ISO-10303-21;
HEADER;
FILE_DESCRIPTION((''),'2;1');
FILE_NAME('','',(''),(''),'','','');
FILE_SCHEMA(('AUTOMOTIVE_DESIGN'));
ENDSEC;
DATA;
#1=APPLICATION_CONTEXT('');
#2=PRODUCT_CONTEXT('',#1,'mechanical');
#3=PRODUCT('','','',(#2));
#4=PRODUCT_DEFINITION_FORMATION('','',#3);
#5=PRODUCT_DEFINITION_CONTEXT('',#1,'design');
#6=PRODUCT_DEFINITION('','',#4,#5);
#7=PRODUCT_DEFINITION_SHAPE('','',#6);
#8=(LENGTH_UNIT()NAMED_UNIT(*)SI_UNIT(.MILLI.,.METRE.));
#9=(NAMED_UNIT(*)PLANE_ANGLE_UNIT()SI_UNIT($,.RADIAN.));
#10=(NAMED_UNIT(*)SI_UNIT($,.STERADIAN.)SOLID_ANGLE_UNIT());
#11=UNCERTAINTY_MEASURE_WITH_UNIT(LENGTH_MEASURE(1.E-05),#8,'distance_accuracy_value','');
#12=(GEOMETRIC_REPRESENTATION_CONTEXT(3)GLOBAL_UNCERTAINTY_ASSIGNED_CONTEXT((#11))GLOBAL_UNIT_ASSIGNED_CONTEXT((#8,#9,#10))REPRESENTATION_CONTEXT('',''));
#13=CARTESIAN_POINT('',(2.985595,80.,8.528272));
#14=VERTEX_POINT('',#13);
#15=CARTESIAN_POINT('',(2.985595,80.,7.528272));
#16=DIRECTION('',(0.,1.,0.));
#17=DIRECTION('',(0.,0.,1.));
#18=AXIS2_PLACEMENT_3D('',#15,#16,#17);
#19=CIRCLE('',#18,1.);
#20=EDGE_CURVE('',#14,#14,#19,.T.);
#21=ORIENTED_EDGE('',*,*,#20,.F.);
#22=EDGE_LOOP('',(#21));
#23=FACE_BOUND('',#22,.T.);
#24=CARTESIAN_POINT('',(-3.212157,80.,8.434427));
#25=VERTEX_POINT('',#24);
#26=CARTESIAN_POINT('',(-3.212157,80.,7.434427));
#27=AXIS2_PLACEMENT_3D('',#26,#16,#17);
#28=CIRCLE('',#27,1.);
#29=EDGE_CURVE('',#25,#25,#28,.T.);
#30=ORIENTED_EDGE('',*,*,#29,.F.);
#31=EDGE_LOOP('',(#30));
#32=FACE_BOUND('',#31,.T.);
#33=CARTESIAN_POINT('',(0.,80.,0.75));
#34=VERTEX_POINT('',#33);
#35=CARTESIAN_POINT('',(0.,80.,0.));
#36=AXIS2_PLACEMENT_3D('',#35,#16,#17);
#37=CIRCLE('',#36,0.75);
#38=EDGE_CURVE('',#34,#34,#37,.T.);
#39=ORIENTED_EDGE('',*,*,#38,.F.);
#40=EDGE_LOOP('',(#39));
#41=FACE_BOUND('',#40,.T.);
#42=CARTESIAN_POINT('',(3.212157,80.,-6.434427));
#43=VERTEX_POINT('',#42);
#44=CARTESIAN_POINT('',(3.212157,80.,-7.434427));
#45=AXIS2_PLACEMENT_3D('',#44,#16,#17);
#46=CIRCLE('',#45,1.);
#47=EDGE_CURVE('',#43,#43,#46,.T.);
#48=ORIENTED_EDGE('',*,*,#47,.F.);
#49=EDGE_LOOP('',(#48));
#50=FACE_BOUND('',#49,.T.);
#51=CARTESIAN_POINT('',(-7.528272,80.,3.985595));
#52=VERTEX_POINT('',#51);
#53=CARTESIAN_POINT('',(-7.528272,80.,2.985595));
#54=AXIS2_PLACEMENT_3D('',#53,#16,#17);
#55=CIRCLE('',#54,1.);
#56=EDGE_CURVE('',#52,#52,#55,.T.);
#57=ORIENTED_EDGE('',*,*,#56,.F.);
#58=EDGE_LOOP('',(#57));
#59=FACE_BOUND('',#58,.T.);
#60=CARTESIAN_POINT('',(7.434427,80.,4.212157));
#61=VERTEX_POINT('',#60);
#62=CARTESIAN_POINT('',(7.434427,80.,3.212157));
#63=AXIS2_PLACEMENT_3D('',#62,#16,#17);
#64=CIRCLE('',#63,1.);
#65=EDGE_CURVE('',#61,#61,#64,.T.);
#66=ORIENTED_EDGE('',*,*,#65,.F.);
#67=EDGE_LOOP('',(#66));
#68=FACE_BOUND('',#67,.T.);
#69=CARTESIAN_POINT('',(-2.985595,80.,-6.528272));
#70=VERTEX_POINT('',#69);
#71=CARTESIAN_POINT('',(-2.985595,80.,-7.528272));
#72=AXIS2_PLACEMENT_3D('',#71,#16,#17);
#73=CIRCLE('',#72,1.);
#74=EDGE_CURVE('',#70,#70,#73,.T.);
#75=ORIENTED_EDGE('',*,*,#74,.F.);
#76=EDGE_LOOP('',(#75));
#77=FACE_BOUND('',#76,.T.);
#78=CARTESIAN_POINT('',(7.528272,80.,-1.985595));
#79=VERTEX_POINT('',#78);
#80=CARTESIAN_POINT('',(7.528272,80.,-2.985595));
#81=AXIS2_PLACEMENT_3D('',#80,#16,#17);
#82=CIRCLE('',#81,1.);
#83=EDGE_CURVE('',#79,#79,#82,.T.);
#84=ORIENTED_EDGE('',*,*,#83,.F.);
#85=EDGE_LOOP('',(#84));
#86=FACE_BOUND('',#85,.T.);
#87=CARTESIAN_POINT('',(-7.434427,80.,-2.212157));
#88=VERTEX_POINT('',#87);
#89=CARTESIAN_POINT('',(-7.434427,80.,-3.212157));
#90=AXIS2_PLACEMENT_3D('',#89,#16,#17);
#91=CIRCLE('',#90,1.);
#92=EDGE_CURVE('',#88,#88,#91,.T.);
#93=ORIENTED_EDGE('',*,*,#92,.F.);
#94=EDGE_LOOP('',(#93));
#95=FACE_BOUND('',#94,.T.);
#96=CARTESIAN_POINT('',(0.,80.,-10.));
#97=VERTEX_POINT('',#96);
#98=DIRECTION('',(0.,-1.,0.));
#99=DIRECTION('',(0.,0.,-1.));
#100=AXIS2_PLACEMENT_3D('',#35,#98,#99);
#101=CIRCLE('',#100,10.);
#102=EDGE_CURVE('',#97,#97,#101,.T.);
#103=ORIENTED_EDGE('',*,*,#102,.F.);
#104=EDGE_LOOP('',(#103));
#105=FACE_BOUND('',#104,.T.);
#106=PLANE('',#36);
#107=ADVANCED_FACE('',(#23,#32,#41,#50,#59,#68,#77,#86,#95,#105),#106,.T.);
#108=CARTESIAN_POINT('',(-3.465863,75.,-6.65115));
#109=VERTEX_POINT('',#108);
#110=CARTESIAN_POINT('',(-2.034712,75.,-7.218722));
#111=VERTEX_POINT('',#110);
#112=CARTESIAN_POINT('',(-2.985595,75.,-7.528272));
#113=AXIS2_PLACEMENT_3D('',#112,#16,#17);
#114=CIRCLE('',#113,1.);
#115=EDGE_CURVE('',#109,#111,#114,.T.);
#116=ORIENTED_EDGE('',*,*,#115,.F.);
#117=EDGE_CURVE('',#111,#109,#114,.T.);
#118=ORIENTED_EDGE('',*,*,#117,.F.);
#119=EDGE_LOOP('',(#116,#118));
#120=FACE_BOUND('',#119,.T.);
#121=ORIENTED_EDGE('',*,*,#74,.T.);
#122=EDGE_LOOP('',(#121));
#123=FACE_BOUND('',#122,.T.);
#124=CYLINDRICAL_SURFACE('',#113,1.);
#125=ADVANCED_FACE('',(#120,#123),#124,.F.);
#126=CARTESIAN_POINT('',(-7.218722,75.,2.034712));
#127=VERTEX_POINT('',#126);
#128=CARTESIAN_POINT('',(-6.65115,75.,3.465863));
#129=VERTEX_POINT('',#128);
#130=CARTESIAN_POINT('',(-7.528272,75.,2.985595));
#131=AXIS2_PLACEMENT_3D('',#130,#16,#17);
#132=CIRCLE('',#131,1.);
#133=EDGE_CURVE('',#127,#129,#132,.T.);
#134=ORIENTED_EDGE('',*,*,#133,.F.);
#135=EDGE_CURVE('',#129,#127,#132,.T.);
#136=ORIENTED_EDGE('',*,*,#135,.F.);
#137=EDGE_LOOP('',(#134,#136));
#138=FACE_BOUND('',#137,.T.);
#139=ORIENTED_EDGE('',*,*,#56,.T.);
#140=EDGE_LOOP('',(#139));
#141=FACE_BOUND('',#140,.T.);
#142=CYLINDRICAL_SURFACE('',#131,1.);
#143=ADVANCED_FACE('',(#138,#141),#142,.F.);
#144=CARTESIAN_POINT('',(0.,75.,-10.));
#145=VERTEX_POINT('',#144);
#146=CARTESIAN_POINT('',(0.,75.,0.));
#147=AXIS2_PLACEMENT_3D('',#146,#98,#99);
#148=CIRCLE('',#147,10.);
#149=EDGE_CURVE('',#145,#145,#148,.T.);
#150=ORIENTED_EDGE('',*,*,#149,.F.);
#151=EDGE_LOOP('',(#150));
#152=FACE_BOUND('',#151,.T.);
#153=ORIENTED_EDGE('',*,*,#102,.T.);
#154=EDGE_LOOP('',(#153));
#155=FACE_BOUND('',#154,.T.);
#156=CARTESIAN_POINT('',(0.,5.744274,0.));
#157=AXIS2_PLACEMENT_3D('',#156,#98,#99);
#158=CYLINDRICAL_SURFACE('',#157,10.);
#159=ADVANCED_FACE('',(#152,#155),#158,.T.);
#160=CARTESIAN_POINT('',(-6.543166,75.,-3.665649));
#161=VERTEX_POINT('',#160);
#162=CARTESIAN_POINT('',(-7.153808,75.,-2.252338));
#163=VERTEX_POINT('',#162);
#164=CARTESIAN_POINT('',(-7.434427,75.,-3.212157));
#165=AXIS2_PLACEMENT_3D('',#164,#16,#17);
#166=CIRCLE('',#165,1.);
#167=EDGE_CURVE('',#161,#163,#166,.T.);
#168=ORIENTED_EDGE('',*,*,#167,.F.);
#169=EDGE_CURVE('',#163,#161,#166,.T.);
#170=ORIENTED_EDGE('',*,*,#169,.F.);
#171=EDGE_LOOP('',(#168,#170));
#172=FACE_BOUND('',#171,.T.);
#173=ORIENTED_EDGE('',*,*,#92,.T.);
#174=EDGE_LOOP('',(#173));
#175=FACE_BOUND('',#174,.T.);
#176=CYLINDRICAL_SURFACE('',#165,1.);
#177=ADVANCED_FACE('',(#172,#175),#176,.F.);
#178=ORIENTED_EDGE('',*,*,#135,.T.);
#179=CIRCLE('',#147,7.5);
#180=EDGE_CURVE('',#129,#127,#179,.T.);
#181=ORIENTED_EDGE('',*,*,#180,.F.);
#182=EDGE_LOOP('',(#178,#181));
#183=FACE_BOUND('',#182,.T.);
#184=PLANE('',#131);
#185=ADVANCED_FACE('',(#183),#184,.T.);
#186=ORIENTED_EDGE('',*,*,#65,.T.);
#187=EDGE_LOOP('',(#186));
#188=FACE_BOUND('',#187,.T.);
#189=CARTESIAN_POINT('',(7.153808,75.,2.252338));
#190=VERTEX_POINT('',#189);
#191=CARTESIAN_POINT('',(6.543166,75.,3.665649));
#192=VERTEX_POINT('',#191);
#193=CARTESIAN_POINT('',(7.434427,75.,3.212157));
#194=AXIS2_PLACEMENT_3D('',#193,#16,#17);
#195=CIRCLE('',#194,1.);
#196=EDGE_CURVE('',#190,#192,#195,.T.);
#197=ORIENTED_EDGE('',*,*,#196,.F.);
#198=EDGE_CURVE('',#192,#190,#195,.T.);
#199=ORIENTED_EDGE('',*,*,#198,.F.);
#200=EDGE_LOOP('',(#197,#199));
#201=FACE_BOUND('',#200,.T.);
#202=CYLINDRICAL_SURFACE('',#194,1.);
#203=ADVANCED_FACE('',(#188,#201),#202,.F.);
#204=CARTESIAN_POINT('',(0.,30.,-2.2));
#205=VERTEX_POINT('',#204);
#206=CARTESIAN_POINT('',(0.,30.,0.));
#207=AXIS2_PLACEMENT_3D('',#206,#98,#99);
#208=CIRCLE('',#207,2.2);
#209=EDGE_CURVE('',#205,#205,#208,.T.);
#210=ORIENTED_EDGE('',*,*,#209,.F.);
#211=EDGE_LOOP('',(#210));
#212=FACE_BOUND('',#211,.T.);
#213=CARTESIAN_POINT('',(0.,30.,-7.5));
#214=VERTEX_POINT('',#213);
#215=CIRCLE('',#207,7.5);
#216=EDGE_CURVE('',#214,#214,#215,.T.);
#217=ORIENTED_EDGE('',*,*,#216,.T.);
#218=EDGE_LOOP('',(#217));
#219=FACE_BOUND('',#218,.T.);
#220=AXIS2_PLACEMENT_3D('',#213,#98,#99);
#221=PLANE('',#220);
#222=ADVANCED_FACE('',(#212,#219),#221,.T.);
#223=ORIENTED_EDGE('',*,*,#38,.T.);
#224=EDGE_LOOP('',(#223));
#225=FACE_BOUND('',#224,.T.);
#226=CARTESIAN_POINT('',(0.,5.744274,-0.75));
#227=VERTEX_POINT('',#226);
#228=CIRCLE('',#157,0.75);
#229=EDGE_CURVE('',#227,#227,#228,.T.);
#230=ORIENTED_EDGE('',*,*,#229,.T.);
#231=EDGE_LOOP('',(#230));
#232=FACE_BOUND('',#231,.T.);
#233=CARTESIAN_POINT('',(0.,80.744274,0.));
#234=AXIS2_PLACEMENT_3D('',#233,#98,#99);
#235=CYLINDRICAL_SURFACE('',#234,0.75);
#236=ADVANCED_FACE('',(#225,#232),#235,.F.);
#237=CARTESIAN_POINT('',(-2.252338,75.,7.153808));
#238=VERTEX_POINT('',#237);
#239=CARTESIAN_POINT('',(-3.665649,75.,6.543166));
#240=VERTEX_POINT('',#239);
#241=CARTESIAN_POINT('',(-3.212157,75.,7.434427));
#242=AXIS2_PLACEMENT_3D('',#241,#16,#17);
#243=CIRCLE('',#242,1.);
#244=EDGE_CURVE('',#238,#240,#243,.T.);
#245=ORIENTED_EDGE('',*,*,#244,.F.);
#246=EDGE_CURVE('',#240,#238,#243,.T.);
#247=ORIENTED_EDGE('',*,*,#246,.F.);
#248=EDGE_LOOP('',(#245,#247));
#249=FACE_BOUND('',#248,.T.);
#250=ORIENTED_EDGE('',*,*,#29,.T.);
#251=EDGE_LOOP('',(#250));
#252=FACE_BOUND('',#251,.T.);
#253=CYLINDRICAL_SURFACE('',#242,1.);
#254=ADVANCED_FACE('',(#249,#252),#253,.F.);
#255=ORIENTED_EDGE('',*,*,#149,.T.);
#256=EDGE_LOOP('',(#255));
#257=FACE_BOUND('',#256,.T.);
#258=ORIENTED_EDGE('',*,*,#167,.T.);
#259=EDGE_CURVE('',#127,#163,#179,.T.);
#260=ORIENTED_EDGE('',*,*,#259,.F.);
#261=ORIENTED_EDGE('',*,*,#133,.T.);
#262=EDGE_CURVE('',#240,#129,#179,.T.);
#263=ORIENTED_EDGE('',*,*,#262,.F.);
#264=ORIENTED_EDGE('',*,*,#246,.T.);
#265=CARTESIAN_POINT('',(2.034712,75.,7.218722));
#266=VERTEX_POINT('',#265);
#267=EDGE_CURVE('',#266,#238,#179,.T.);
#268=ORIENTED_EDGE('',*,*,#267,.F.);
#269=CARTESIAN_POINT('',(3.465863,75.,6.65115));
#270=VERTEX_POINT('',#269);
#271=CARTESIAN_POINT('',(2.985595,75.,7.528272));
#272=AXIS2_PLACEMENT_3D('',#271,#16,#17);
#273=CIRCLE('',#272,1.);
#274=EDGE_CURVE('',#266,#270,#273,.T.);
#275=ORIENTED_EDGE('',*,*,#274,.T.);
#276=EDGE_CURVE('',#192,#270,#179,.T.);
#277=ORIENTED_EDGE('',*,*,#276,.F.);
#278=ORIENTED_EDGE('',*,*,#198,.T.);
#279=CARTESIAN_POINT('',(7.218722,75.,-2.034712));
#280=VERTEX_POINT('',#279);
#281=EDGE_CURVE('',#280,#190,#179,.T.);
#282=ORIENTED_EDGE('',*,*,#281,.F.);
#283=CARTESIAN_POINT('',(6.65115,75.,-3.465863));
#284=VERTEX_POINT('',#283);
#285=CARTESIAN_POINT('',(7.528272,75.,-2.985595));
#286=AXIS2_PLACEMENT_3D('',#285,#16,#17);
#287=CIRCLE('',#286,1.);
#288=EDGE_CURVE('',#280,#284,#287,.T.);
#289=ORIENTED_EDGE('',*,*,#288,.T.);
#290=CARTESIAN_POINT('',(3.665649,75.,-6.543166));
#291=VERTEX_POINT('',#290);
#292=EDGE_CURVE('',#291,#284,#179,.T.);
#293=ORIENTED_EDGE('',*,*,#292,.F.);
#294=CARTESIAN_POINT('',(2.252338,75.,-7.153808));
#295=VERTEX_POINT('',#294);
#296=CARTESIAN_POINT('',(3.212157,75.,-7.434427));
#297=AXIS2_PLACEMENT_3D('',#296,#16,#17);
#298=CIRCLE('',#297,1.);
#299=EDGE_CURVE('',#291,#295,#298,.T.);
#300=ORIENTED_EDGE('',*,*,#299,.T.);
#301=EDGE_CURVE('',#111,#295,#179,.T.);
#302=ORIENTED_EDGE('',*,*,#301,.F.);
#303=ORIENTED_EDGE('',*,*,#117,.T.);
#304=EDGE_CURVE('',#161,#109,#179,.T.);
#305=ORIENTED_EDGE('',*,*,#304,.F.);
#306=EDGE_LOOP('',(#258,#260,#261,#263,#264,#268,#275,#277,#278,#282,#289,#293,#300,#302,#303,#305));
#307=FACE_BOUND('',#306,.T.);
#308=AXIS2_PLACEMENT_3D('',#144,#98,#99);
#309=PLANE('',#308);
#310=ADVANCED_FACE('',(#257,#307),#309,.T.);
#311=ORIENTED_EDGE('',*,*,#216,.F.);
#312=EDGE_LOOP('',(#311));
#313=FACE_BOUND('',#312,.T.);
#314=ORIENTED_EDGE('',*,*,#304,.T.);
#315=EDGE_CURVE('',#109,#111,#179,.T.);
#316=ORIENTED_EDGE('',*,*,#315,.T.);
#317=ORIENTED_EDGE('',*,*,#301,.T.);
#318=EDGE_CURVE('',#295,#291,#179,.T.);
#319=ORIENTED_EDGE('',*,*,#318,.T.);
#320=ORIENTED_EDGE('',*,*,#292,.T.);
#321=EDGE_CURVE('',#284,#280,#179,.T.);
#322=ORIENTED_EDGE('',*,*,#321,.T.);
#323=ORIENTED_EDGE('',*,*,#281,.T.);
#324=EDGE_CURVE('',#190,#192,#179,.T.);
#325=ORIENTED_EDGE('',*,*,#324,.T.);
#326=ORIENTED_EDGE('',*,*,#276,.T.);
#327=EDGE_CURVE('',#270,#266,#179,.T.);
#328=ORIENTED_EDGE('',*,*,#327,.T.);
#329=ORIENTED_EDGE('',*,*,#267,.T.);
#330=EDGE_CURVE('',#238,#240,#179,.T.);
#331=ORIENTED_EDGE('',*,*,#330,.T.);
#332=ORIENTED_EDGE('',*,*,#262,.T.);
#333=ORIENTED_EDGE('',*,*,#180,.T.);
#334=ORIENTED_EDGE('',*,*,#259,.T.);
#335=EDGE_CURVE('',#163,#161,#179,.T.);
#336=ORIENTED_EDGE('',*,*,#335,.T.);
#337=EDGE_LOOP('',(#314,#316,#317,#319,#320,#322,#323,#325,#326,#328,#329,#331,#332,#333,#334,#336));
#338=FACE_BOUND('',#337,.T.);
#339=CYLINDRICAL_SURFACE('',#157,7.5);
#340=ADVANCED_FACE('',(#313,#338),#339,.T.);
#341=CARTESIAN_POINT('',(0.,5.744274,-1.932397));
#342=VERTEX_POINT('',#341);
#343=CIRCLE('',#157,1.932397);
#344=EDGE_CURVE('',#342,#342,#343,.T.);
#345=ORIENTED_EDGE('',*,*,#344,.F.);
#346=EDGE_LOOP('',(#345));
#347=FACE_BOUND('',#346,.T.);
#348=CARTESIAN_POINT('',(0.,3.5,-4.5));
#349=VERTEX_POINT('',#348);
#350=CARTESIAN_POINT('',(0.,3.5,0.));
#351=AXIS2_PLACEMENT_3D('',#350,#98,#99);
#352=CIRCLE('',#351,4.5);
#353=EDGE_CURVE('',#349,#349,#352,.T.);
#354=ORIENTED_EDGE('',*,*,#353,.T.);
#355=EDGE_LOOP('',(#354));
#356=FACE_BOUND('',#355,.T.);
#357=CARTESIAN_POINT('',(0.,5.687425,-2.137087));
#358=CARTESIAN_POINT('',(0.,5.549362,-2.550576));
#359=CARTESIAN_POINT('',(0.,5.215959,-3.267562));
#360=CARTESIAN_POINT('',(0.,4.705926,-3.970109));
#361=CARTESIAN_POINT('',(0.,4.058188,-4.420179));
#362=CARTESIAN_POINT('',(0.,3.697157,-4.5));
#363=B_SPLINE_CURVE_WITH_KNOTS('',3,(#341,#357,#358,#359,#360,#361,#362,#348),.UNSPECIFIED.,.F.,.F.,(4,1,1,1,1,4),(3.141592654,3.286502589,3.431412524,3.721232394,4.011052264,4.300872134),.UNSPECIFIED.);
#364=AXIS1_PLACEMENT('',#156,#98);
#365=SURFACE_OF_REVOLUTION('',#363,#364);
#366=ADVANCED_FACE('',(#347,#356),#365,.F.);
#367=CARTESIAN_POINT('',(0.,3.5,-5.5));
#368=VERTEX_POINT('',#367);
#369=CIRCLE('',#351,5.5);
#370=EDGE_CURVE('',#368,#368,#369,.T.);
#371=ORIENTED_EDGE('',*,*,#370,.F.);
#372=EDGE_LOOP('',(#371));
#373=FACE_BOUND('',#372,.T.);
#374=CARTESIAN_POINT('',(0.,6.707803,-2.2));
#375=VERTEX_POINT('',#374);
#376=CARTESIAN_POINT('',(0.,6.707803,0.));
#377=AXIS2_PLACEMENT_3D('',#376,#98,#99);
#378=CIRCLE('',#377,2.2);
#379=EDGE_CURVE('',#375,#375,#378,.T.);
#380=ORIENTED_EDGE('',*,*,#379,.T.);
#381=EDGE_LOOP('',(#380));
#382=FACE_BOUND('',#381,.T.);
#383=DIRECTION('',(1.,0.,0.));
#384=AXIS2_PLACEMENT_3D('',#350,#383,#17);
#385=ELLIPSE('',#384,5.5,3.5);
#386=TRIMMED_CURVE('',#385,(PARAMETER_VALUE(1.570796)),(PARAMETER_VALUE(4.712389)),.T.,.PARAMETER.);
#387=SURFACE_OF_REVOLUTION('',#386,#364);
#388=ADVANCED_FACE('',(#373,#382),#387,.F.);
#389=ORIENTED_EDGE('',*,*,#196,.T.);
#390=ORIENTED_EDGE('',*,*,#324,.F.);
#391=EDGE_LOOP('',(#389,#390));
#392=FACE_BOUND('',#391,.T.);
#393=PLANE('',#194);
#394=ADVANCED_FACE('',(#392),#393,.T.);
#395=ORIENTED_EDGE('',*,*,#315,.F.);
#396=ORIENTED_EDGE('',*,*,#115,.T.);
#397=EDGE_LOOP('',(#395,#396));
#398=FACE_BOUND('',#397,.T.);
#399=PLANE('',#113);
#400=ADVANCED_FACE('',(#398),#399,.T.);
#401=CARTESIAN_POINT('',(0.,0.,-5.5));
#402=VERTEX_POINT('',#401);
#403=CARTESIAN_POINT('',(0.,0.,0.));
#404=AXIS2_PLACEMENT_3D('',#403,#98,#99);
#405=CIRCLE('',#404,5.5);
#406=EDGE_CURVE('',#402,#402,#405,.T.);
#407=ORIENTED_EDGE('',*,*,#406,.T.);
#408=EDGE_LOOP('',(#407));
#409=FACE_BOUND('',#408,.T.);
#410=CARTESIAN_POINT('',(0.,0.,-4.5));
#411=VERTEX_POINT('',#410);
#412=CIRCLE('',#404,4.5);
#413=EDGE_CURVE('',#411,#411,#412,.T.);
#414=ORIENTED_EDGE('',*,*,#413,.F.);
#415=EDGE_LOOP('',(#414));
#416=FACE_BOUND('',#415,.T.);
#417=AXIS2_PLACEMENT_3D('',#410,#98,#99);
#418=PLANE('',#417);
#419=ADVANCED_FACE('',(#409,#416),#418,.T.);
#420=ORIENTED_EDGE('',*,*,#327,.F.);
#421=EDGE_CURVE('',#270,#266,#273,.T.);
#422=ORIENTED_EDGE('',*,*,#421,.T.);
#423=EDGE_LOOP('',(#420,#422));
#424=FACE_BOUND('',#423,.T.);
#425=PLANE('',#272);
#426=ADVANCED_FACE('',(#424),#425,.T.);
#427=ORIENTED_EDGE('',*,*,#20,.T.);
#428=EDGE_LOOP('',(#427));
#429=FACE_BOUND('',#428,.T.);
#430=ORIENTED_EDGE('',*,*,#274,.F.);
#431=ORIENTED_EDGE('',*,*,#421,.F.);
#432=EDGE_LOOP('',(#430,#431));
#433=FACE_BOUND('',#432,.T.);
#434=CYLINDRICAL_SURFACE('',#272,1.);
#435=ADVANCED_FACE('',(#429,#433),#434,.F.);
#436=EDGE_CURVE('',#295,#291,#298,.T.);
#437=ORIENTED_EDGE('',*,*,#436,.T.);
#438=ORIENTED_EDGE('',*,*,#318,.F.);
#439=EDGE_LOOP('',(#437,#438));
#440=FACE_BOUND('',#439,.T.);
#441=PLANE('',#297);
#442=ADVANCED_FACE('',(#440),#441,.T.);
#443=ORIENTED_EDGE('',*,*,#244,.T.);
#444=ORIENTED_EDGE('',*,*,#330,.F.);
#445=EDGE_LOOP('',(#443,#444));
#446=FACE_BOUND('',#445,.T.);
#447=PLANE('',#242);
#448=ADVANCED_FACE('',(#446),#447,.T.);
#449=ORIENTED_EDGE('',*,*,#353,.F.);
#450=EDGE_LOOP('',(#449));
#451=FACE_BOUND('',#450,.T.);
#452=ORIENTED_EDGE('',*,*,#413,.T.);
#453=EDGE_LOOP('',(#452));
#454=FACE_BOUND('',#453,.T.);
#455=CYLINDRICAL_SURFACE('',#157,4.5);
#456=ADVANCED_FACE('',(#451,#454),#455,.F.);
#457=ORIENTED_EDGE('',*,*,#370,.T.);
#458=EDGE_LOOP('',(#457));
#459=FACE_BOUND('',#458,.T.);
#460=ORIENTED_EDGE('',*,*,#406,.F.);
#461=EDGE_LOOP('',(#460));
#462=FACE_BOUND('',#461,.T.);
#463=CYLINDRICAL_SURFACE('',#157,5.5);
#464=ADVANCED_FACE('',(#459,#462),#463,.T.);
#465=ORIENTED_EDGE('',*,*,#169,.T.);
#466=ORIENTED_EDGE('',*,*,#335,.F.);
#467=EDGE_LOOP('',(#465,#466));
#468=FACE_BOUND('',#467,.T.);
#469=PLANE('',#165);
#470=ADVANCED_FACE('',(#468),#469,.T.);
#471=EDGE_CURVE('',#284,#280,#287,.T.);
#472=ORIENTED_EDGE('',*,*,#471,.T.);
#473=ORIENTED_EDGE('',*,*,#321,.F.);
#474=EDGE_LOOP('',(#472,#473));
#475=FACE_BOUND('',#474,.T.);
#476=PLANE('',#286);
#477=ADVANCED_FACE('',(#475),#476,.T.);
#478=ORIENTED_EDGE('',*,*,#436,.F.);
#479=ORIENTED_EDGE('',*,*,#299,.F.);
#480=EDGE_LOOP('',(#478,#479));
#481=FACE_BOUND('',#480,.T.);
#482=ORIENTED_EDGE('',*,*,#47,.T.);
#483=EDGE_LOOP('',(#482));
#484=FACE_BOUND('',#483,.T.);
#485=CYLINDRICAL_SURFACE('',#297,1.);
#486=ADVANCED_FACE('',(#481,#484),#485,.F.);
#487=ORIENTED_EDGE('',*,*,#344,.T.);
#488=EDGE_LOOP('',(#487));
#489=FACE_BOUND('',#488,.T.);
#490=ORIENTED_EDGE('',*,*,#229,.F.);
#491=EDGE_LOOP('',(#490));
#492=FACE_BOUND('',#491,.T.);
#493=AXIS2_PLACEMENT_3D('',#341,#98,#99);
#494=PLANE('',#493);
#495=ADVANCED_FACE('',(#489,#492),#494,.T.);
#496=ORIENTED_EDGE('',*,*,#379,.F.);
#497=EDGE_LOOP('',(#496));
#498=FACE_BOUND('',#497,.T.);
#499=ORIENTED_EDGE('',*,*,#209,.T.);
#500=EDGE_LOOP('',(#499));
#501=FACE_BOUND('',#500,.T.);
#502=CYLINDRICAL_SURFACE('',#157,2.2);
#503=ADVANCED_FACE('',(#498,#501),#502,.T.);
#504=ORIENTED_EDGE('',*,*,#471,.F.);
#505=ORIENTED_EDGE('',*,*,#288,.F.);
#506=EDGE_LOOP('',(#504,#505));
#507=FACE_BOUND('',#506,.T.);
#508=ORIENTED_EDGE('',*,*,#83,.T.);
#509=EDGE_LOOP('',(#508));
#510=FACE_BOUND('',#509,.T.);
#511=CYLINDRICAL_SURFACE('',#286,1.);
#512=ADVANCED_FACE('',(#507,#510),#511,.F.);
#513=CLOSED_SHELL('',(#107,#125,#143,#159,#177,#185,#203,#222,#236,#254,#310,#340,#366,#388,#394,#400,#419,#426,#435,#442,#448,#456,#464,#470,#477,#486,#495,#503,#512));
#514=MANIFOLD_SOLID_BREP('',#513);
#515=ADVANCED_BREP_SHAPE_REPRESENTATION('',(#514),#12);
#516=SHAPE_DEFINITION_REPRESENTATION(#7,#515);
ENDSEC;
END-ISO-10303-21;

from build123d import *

# Parameters (mm, degrees)
SKETCH3_R          = 0.75
CUT_EXTRUDE1_DEPTH = 75
SKETCH4_R          = 1
CUT_EXTRUDE2_DEPTH = 5


with BuildPart() as part:
    # Sketch1 → Revolve1 (revolve)
    with BuildSketch(Plane(origin=(0, 0, 0), x_dir=(0, 0, -1), z_dir=(1, 0, 0))):
        with BuildLine():
            Line((0, 80), (10, 80))
            Line((10, 80), (10, 75))
            Line((10, 75), (7.5, 75))
            Line((7.5, 75), (7.5, 30))
            Line((7.5, 30), (2.2, 30))
            Line((2.2, 30), (2.2, 6.707802986))
            add(Edge.make_bspline(
                [(5.5, 3.5), (5.5, 5.791287847), (2.2, 6.707802986)],
                knots=[3.141592654, 3.141592654, 3.141592654, 4.300872134, 4.300872134, 4.300872134], degree=2, weights=[1, 0.836660027, 1]))
            Line((5.5, 3.5), (5.5, 0))
            Line((5.5, 0), (4.5, 0))
            Line((4.5, 0), (4.5, 1))
            Line((4.5, 1), (4.5, 3.5))
            add(Edge.make_bspline(
                [(4.5, 3.5), (4.5, 3.697156866), (4.420178962, 4.058188281), (3.970108568, 4.705926092), (3.267562051, 5.215959335), (2.550576032, 5.549361773), (2.137087255, 5.687424721), (1.93239721, 5.744273668)],
                knots=[3.141592654, 3.141592654, 3.141592654, 3.141592654, 3.431412524, 3.721232394, 4.011052264, 4.155962199, 4.300872134, 4.300872134, 4.300872134, 4.300872134], degree=3))
            Line((1.93239721, 5.744273668), (0, 5.744273668))
            Line((0, 5.744273668), (0, 80))
        make_face()
    revolve(axis=Axis((0, 5.744273668, 0), (0, 1, 0)))

    # Sketch3 → Cut-Extrude1 (cut)
    with BuildSketch(Plane.XZ.offset(-5.744273668)):
        with Locations(Location((0, 0, 0), (0, 0, 270))):
            Circle(SKETCH3_R)
    extrude(amount=-CUT_EXTRUDE1_DEPTH, mode=Mode.SUBTRACT)

    # Sketch4 → Cut-Extrude2 (cut)
    with BuildSketch(Plane(origin=(0, 80, 0), x_dir=(1, 0, 0), z_dir=(0, 1, 0))):
        with Locations(Location((-2.985595387, 7.528271622, 0), (0, 0, 270))):
            Circle(SKETCH4_R)
        with Locations(Location((3.212157171, 7.434426659, 0), (0, 0, 270))):
            Circle(SKETCH4_R)
        with Locations(Location((7.528271622, 2.985595387, 0), (0, 0, 270))):
            Circle(SKETCH4_R)
        with Locations(Location((7.434426659, -3.212157171, 0), (0, 0, 270))):
            Circle(SKETCH4_R)
        with Locations(Location((2.985595387, -7.528271622, 0), (0, 0, 270))):
            Circle(SKETCH4_R)
        with Locations(Location((-3.212157171, -7.434426659, 0), (0, 0, 270))):
            Circle(SKETCH4_R)
        with Locations(Location((-7.528271622, -2.985595387, 0), (0, 0, 270))):
            Circle(SKETCH4_R)
        with Locations(Location((-7.434426659, 3.212157171, 0), (0, 0, 270))):
            Circle(SKETCH4_R)
    extrude(amount=-CUT_EXTRUDE2_DEPTH, mode=Mode.SUBTRACT)


solid = part.part
